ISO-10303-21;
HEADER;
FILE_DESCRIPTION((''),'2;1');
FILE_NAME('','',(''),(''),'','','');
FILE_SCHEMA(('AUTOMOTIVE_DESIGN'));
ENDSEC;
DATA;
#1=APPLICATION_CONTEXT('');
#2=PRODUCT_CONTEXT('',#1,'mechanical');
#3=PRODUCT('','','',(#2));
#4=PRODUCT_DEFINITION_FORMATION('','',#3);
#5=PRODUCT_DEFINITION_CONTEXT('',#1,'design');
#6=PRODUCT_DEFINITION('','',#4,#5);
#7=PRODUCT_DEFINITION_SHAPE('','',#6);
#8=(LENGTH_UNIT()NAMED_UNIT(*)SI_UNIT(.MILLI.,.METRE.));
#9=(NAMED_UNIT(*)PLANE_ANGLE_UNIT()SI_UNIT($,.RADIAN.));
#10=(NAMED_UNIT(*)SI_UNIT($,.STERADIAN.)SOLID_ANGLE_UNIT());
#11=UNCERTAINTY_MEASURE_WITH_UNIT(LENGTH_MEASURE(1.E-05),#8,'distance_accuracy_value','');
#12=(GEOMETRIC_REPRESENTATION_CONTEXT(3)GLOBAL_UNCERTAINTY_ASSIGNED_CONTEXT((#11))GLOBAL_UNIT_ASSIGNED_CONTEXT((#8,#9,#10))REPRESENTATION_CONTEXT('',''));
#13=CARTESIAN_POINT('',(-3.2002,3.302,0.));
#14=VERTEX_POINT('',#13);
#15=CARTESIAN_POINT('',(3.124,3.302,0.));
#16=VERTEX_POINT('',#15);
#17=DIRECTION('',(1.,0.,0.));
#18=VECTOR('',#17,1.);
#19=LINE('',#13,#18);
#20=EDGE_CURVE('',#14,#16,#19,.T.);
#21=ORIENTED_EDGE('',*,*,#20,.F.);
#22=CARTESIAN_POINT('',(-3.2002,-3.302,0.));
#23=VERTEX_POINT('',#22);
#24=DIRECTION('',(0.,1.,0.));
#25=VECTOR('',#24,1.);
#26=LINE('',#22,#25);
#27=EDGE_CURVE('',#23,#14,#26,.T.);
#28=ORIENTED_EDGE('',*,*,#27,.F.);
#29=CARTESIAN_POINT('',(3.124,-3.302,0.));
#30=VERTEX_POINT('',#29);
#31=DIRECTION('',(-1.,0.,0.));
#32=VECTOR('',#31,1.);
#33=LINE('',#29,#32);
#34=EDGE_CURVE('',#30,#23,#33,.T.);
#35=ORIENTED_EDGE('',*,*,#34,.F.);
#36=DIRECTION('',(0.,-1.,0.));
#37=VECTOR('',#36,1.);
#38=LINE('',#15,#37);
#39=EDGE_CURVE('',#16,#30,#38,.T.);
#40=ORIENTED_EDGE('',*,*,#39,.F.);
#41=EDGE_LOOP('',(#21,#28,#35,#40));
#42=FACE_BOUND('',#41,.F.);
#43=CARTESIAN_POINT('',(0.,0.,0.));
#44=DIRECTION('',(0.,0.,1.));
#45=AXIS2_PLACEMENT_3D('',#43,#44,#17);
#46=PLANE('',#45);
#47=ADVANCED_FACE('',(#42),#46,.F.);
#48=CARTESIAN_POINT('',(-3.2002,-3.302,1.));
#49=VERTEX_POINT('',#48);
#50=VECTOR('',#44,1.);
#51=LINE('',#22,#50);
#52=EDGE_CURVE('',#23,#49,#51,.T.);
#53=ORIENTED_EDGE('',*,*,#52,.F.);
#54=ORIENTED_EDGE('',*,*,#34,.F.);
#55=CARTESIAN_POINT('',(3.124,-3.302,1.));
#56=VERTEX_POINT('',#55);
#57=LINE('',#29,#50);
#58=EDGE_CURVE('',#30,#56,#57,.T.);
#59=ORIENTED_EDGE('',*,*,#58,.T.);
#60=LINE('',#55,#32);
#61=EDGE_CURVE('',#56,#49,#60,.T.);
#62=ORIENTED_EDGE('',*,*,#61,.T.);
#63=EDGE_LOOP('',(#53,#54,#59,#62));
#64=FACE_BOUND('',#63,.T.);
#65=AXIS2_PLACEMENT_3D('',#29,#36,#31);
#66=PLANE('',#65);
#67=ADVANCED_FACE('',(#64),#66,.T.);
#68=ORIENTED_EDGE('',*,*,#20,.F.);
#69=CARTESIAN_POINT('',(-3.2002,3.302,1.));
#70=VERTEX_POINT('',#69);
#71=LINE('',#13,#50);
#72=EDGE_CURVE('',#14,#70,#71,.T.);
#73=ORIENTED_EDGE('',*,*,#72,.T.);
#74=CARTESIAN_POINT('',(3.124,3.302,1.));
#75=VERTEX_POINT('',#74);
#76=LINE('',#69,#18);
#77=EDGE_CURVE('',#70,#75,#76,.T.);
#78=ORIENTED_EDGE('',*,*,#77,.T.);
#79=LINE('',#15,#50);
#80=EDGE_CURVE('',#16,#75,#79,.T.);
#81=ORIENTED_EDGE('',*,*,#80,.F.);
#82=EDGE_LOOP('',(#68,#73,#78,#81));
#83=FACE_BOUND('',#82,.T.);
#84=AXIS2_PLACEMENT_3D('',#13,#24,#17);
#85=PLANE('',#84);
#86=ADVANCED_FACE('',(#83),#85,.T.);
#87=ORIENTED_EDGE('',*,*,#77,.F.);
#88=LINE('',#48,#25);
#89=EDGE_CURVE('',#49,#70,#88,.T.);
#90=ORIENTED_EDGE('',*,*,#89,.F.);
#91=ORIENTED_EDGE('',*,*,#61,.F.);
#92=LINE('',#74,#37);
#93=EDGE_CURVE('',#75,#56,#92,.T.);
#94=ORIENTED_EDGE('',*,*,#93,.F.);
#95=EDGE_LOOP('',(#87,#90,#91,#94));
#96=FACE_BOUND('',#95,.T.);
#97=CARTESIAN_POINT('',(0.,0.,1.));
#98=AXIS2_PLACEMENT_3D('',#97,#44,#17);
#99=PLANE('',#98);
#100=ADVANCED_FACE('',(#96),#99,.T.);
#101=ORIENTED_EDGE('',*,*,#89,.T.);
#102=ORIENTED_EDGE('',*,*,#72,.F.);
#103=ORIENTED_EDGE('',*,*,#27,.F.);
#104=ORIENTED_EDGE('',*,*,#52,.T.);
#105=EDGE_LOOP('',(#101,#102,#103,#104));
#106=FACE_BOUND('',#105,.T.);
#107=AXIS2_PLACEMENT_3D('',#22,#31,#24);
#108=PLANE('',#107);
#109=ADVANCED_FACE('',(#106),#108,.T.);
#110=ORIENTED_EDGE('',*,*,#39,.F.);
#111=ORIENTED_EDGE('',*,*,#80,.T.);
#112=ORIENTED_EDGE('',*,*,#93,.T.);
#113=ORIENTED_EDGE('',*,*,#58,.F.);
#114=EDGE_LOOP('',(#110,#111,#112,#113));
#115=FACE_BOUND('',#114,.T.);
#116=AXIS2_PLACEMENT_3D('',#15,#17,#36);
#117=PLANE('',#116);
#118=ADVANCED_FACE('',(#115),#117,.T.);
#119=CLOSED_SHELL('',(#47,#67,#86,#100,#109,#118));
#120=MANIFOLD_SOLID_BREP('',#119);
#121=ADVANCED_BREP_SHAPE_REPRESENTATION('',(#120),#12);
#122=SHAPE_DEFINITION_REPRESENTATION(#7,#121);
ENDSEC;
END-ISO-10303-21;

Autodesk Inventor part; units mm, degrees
ref_plane "YZ Plane" through (0, 0, 0) normal (1, 0, 0) x (0, 1, 0)
ref_plane "XZ Plane" through (0, 0, 0) normal (0, 1, 0) x (-1, 0, 0)
ref_plane "XY Plane" through (0, 0, 0) normal (0, 0, 1) x (1, 0, 0)
sketch "SOT223, REG1117_21" plane through (0, 0, 0) normal (0, 0, 1) x (1, 0, 0)
  line L0 (-3.2002, 3.302) -> (3.124, 3.302)
  line L1 (3.124, 3.302) -> (3.124, -3.302)
  line L2 (3.124, -3.302) -> (-3.2002, -3.302)
  line L3 (-3.2002, -3.302) -> (-3.2002, 3.302)
extrude "Extrusion1" add sketch "SOT223, REG1117_21" along normal blind 1
properties part number "REG1117"
